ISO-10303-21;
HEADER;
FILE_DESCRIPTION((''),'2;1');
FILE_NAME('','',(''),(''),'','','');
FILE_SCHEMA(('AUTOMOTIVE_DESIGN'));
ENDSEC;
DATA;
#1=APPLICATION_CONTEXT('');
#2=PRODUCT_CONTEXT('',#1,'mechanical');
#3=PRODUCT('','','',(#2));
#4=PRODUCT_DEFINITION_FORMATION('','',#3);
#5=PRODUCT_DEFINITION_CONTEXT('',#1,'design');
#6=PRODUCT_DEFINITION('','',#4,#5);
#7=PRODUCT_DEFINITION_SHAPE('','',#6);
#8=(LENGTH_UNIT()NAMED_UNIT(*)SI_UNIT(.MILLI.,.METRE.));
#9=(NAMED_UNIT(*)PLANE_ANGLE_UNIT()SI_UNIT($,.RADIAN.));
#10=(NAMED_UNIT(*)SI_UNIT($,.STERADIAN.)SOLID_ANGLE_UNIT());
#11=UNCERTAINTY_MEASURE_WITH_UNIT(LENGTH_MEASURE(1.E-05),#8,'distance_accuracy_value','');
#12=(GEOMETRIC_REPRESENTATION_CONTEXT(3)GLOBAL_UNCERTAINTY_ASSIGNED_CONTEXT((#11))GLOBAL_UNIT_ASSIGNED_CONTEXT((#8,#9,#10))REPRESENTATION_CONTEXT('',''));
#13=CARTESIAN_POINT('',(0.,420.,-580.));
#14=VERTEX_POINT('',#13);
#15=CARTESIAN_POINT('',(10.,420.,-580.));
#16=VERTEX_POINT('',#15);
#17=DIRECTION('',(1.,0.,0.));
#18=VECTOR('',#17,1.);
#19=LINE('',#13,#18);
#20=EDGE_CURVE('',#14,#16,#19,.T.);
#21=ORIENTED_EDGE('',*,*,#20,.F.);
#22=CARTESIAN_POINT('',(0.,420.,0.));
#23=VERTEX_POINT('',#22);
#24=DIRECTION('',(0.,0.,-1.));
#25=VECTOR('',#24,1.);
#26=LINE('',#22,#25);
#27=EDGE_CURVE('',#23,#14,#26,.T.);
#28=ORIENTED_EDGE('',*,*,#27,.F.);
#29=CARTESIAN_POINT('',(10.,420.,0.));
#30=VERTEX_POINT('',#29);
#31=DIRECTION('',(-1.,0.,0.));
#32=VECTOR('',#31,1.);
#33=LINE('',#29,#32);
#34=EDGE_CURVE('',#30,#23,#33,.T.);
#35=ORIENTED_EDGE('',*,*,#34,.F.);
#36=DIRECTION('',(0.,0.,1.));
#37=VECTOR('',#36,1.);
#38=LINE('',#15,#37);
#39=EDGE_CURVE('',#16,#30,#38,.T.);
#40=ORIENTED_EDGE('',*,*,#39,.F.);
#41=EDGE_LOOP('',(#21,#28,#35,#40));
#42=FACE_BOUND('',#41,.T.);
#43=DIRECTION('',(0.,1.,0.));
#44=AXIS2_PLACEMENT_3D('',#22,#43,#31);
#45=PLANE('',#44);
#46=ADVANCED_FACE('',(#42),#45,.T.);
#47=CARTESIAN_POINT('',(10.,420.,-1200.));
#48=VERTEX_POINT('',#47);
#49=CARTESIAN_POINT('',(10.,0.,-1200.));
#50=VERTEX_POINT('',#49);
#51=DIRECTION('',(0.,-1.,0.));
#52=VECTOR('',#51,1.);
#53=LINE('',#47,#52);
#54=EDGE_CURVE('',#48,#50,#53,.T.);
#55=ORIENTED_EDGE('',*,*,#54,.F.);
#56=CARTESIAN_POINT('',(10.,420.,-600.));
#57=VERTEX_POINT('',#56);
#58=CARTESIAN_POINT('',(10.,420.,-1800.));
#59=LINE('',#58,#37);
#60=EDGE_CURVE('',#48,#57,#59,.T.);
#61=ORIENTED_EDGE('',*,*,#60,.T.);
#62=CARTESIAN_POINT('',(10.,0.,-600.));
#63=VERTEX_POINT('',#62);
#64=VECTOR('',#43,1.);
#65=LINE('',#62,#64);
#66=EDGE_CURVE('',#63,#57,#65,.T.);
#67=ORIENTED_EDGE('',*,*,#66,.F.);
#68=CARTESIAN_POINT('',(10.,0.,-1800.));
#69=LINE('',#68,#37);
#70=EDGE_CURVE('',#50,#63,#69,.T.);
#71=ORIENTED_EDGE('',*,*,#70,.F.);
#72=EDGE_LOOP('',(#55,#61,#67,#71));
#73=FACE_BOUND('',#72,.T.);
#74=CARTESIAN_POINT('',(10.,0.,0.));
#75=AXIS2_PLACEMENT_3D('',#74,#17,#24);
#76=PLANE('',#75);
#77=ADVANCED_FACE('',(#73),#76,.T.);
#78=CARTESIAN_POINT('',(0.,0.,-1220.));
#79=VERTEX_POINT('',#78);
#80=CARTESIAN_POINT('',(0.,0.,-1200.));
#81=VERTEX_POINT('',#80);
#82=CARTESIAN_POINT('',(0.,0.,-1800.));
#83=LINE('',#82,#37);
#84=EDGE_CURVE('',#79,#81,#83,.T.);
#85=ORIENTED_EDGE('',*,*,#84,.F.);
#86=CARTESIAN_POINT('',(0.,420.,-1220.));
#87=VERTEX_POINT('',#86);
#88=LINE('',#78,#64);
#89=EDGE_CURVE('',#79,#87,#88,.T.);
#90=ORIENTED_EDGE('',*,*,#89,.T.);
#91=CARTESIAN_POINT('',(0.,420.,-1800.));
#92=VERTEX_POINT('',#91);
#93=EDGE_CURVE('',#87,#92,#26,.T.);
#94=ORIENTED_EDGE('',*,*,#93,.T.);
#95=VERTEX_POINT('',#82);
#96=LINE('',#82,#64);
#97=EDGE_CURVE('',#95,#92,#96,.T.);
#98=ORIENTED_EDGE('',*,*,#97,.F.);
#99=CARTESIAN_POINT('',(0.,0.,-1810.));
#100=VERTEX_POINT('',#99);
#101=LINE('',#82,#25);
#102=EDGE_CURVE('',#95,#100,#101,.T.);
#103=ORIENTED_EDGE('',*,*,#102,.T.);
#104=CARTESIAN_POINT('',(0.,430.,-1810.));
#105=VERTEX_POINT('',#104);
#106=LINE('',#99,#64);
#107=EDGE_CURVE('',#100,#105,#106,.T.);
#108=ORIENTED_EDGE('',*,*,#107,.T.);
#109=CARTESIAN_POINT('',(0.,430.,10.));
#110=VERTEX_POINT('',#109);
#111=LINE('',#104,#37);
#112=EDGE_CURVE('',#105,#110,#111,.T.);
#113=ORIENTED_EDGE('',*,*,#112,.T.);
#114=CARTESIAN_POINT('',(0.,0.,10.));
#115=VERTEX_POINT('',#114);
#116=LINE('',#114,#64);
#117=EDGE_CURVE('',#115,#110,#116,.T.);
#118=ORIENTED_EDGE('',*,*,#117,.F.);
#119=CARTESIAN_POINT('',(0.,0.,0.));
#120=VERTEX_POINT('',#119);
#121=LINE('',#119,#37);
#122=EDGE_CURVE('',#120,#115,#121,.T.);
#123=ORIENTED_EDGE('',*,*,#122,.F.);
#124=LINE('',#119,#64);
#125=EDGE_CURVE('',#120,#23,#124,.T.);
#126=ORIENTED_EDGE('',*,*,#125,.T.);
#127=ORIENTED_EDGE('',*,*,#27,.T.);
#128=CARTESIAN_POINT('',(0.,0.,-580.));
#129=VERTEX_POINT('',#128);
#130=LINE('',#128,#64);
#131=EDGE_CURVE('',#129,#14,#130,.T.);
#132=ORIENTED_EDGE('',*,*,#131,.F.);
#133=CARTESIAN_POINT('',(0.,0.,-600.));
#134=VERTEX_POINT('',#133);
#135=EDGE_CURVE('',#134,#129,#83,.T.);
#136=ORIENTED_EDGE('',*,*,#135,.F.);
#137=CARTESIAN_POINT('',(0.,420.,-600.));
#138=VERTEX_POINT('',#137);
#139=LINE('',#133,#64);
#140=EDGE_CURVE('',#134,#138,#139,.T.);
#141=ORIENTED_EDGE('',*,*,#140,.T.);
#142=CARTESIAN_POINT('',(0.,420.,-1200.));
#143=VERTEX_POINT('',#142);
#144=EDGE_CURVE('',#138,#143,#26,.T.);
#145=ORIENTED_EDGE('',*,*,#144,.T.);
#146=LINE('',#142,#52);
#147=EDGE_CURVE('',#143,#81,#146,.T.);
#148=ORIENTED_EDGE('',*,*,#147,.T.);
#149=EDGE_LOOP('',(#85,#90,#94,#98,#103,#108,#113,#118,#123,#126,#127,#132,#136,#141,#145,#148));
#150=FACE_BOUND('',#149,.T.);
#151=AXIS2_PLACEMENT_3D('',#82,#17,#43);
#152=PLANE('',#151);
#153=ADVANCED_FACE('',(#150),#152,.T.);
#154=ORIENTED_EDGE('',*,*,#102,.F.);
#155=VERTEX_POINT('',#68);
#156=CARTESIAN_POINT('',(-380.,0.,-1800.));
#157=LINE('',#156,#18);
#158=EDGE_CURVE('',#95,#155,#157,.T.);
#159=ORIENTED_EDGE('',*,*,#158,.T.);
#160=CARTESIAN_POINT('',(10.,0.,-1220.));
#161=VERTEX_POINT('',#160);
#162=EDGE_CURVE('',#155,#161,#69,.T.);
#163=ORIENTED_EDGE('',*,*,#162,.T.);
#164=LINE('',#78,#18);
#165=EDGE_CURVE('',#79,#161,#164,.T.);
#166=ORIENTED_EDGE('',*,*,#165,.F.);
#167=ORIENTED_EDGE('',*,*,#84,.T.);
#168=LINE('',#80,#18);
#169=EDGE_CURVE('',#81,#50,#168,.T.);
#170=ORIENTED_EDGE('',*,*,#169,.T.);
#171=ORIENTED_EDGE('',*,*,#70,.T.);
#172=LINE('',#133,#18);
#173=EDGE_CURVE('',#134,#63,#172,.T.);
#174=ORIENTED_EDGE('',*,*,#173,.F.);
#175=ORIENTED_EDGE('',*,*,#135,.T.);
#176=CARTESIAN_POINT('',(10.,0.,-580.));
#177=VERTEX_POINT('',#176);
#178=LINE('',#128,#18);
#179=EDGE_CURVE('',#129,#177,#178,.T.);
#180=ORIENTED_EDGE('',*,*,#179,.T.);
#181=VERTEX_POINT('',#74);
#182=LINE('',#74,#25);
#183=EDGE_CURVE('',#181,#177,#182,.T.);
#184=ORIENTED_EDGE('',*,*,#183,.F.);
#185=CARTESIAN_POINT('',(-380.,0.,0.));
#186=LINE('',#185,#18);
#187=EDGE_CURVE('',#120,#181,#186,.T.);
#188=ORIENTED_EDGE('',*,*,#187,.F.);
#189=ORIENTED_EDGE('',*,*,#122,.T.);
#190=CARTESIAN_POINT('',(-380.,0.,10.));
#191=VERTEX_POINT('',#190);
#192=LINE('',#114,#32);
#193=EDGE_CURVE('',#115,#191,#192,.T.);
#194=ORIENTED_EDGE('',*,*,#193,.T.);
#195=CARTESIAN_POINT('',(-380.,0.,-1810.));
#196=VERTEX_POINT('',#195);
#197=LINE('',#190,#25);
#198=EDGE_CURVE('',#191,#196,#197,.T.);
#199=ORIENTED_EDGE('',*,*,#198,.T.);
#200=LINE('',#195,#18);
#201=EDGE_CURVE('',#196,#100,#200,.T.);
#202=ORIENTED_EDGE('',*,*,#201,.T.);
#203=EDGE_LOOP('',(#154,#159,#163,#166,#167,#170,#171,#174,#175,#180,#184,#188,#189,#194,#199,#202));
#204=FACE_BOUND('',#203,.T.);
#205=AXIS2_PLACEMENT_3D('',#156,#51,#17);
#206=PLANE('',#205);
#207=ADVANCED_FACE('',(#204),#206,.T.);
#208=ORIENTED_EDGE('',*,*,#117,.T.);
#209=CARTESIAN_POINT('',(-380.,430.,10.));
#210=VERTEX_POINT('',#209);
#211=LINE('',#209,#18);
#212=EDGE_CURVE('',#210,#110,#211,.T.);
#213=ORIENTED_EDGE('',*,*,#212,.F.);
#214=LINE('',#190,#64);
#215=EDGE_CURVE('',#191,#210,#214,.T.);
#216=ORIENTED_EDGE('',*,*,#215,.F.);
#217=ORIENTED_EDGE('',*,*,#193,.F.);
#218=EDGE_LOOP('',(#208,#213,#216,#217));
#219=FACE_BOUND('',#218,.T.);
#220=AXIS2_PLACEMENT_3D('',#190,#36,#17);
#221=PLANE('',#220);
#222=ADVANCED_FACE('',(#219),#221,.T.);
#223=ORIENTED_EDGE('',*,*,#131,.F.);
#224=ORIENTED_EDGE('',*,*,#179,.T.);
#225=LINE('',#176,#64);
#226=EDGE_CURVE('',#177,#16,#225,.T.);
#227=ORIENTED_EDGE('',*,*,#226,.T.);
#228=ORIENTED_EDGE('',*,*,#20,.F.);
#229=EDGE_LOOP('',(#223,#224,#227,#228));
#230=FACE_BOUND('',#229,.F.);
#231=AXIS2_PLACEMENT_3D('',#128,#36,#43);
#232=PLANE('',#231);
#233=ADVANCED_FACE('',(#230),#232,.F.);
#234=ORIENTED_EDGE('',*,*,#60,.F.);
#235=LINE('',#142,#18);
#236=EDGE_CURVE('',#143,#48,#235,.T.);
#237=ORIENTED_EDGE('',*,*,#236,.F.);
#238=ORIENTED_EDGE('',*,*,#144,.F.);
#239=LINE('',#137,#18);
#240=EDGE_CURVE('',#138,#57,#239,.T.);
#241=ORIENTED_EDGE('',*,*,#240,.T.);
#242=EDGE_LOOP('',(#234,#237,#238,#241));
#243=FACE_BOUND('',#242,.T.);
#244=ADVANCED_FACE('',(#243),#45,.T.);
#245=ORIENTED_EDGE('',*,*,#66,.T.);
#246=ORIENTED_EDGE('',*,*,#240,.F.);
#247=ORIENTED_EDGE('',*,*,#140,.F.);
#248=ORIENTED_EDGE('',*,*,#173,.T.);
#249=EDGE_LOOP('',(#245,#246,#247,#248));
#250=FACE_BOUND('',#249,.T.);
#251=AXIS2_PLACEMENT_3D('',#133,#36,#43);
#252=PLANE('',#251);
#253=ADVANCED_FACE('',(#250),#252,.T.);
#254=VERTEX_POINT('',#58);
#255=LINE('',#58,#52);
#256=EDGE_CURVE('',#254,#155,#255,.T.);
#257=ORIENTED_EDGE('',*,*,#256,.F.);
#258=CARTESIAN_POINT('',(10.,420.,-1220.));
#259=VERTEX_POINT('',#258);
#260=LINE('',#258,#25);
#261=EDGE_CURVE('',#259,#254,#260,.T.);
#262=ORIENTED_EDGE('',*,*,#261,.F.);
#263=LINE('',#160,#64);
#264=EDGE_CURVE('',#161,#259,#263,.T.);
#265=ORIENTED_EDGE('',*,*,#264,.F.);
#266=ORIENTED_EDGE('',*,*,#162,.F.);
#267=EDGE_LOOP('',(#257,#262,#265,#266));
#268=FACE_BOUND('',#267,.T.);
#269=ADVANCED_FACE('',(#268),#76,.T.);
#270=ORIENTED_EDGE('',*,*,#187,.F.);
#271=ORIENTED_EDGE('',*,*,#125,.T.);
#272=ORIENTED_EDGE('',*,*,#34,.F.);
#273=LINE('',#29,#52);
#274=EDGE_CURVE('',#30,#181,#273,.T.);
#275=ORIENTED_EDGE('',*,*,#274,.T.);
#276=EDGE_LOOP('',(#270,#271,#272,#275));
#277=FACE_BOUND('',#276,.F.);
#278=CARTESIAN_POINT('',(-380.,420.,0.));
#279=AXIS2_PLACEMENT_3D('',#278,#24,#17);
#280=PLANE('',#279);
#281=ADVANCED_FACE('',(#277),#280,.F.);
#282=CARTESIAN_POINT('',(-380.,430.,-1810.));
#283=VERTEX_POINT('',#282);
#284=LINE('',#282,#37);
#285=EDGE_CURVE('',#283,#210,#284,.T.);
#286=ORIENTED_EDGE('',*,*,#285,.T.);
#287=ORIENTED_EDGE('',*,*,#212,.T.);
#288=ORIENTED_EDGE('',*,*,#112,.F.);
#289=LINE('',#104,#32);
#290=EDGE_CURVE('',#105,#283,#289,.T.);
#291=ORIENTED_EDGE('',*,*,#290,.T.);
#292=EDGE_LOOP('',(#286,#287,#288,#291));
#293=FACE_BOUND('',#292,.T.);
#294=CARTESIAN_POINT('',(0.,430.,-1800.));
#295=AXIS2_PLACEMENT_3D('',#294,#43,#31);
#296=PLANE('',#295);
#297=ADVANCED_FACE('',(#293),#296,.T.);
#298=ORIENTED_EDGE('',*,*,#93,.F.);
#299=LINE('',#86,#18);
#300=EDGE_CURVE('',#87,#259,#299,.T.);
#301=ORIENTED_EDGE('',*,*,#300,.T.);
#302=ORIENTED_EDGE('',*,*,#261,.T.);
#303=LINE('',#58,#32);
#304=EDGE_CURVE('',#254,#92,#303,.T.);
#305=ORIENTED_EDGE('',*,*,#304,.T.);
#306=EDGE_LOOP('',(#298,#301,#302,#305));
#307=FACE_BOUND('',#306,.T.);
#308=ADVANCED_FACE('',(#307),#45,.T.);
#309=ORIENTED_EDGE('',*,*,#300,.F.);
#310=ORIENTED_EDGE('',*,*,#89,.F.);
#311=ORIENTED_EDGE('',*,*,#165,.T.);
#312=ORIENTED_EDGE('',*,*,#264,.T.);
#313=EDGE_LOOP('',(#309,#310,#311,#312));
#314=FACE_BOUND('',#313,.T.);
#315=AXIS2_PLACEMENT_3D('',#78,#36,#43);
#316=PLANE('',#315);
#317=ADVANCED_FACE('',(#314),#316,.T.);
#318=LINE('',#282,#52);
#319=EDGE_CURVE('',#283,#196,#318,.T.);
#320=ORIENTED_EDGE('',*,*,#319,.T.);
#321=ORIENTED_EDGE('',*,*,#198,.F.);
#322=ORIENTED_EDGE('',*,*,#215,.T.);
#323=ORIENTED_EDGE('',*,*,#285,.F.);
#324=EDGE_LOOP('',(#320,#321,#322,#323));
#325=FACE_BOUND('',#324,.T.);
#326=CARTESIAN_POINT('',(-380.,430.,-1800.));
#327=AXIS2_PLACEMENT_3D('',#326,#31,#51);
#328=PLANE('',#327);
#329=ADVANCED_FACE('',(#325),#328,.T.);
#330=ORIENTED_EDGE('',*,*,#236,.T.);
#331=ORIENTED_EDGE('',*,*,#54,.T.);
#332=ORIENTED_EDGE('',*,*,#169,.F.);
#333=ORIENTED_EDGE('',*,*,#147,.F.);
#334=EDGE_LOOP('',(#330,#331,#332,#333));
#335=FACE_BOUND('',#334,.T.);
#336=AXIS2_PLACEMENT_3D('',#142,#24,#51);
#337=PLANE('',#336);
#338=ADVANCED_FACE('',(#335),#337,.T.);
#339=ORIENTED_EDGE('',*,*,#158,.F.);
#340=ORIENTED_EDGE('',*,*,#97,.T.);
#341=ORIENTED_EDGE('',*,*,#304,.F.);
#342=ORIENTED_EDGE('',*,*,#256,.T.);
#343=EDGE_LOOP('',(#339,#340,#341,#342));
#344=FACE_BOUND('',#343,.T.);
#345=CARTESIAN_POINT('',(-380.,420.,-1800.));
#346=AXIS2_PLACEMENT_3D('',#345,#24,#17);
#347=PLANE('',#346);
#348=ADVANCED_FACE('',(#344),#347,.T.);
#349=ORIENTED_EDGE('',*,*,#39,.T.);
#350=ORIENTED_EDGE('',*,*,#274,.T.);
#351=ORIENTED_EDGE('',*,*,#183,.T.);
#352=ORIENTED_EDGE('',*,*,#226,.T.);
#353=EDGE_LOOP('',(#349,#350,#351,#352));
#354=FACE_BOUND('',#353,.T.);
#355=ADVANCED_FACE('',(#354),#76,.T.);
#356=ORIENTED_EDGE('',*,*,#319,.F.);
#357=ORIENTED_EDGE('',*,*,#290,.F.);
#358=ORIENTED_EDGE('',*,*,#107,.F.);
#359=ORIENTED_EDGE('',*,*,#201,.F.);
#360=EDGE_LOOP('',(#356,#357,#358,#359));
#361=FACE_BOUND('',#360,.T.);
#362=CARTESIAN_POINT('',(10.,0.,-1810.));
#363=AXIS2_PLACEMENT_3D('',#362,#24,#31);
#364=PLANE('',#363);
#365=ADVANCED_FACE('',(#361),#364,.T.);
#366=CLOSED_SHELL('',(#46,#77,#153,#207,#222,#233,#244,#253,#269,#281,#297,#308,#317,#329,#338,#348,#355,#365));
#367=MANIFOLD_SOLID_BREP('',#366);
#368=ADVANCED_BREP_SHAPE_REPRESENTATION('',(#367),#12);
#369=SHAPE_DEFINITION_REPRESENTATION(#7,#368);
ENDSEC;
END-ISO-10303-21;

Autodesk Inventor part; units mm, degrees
ref_plane "YZ Plane" through (0, 0, 0) normal (1, 0, 0) x (0, 1, 0)
ref_plane "XZ Plane" through (0, 0, 0) normal (0, 1, 0) x (-1, 0, 0)
ref_plane "XY Plane" through (0, 0, 0) normal (0, 0, 1) x (1, 0, 0)
sketch "Sketch1" plane through (0, 0, 0) normal (0, 1, 0) x (-1, 0, 0)
  line L0 (0, 0) -> (380, 0)
  line L1 (380, 0) -> (380, -1800)
  line L2 (380, -1800) -> (0, -1800)
  line L3 (0, -1800) -> (0, 0)
  dimension "d0" = 380
  dimension "d1" = 1800
extrude "Extrusion1" add sketch "Sketch1" along normal blind 420
sketch "Sketch2" plane through (0, 0, 0) normal (1, 0, 0) x (0, 0, -1)
  line L0 (0, 0) -> (580, 0)
  line L1 (580, 0) -> (580, 420)
  line L2 (580, 420) -> (0, 420)
  line L3 (0, 420) -> (0, 0)
  line L4 (1800, 0) -> (1220, 0)
  line L5 (1220, 0) -> (1220, 420)
  line L6 (1220, 420) -> (1800, 420)
  line L7 (1800, 420) -> (1800, 0)
  line L8 (1800, 420) -> (0, 420) projected
  line L9 (1800, 0) -> (0, 0) projected
  line L10 (600, 420) -> (1200, 420)
  line L11 (1200, 420) -> (1200, 0)
  line L12 (1200, 0) -> (600, 0)
  line L13 (600, 0) -> (600, 420)
  dimension "d4" = 580
  dimension "d6" = 580
  dimension "d7" = 600
extrude "Extrusion2" add sketch "Sketch2" along normal blind 10 contours L3 L2 L1 L0 | L13 L8 L11 L9 | L5 L6 L7 L4
sketch "Sketch3" plane through (0, 420, 0) normal (0, 1, 0) x (1, 0, 0)
  line L0 (-380, 1800) -> (-380, 0) projected
  line L1 (-380, 1800) -> (10, 1800) projected
  line L2 (-380, 0) -> (0, 0)
  line L3 (0, 0) -> (0, 1800)
  line L4 (0, 1800) -> (-380, 1800)
  line L5 (-380, 1800) -> (-380, 0)
extrude "Extrusion3" add sketch "Sketch3" along normal blind 10
sketch "Sketch4" plane through (-380, 0, 0) normal (0, 0, 1) x (1, 0, 0)
  line L0 (0, 0) -> (0, 430) projected
  line L1 (380, 0) -> (380, 420) projected
  line L2 (0, 430) -> (380, 430)
  line L3 (380, 430) -> (380, 0)
  line L4 (380, 0) -> (0, 0)
  line L5 (0, 0) -> (0, 430)
extrude "Extrusion4" add sketch "Sketch4" along normal blind 10
sketch "Sketch5" plane through (10, 0, -1800) normal (0, 0, -1) x (-1, 0, 0)
  line L0 (10, 0) -> (10, 430) projected
  line L1 (390, 0) -> (10, 0) projected
  line L2 (10, 430) -> (390, 430)
  line L3 (390, 430) -> (390, 0)
  line L4 (390, 0) -> (10, 0)
  line L5 (10, 0) -> (10, 430)
extrude "Extrusion5" add sketch "Sketch5" along normal blind 10
properties part number "TVBänk"
